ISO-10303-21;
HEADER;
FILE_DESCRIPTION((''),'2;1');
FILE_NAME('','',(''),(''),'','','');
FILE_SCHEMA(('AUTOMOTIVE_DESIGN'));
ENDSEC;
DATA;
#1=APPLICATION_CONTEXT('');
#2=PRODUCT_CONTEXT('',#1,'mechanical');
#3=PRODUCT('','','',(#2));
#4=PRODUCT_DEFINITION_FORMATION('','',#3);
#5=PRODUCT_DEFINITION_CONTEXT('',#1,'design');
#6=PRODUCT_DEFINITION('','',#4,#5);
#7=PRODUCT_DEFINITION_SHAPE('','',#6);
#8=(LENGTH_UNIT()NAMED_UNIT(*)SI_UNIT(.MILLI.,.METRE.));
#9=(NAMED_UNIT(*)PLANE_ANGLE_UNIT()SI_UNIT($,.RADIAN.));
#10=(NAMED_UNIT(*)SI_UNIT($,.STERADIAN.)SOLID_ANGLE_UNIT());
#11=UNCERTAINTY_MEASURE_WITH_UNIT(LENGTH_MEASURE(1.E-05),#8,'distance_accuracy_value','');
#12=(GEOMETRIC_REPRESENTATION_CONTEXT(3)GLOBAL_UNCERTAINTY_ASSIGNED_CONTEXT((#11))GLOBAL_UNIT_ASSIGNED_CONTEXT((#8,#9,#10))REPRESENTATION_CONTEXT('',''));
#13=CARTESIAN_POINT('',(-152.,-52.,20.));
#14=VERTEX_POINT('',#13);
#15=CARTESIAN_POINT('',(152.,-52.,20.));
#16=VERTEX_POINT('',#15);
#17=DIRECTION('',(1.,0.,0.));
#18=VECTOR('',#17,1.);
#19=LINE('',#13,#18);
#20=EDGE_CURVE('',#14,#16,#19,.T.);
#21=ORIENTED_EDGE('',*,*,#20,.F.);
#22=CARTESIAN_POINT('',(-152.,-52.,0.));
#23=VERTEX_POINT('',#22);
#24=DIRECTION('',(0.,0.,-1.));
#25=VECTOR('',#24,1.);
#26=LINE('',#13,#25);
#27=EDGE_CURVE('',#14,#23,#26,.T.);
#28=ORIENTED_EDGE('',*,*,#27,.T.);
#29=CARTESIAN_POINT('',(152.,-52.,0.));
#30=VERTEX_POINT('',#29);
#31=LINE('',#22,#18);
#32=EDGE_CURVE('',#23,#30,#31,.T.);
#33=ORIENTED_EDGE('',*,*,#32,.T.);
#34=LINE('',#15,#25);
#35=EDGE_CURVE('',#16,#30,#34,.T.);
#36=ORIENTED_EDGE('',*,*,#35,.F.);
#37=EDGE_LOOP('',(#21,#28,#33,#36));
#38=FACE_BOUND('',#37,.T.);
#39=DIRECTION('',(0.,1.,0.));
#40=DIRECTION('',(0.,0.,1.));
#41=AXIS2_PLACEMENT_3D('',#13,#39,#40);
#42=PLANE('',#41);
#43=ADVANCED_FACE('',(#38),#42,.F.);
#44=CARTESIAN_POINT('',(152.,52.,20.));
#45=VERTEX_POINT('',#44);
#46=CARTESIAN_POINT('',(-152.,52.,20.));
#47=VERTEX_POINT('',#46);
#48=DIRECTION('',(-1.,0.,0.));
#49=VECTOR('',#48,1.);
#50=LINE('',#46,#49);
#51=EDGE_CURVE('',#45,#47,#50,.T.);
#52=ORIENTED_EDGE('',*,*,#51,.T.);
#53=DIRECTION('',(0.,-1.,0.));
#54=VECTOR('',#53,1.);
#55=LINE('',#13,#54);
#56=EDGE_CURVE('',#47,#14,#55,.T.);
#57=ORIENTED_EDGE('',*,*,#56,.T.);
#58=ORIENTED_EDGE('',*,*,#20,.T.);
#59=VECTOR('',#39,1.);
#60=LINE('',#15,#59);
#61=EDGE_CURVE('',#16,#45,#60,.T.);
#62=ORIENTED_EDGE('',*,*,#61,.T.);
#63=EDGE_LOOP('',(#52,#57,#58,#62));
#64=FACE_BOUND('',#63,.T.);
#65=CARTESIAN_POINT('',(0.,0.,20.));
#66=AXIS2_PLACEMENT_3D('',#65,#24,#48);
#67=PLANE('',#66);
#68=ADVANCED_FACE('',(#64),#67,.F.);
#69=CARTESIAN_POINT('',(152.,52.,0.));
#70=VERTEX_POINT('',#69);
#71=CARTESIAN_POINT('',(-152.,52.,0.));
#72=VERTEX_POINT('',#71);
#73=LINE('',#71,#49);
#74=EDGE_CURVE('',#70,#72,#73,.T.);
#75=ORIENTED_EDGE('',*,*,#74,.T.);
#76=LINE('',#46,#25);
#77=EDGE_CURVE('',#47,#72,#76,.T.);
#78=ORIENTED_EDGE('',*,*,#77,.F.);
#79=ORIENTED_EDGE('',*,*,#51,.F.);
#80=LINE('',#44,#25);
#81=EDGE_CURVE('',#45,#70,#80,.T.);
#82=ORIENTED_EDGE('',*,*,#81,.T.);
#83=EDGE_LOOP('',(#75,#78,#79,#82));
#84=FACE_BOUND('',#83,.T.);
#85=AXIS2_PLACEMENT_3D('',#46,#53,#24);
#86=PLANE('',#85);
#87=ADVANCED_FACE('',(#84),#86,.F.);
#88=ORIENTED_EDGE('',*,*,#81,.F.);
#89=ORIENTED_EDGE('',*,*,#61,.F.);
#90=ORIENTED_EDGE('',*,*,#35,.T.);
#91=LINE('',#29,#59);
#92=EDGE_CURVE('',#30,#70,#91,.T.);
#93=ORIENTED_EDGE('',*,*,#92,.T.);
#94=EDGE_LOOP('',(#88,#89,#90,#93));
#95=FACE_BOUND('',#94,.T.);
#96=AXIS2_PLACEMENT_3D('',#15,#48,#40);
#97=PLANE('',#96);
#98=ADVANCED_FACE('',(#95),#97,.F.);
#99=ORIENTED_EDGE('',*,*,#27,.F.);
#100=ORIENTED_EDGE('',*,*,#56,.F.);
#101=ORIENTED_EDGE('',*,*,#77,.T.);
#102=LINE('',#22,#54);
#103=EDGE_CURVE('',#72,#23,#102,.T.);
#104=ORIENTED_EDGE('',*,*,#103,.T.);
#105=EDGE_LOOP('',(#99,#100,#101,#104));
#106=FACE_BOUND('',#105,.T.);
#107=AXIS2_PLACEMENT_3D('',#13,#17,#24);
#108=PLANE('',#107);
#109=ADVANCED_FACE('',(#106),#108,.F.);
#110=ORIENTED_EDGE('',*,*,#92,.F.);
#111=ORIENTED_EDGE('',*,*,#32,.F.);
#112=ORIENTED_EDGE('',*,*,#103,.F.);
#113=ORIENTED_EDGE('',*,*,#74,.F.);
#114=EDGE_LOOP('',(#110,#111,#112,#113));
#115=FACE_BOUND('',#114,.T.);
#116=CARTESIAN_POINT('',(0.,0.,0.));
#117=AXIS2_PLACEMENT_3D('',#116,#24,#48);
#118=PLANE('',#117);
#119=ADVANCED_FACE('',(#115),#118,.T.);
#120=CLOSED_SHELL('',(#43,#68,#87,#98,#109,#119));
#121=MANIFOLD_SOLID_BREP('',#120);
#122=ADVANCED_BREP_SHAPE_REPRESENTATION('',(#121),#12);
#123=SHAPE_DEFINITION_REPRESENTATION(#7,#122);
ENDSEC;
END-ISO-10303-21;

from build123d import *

# Parameters (mm, degrees)
ESQUISSE1_W        = 304
ESQUISSE1_H        = 104
BOSS_EXTRU_1_DEPTH = 20


with BuildPart() as part:
    # Esquisse1 → Boss.-Extru.1 (new body)
    with BuildSketch(Plane.XY):
        Rectangle(ESQUISSE1_W, ESQUISSE1_H)
    extrude(amount=BOSS_EXTRU_1_DEPTH)


solid = part.part
